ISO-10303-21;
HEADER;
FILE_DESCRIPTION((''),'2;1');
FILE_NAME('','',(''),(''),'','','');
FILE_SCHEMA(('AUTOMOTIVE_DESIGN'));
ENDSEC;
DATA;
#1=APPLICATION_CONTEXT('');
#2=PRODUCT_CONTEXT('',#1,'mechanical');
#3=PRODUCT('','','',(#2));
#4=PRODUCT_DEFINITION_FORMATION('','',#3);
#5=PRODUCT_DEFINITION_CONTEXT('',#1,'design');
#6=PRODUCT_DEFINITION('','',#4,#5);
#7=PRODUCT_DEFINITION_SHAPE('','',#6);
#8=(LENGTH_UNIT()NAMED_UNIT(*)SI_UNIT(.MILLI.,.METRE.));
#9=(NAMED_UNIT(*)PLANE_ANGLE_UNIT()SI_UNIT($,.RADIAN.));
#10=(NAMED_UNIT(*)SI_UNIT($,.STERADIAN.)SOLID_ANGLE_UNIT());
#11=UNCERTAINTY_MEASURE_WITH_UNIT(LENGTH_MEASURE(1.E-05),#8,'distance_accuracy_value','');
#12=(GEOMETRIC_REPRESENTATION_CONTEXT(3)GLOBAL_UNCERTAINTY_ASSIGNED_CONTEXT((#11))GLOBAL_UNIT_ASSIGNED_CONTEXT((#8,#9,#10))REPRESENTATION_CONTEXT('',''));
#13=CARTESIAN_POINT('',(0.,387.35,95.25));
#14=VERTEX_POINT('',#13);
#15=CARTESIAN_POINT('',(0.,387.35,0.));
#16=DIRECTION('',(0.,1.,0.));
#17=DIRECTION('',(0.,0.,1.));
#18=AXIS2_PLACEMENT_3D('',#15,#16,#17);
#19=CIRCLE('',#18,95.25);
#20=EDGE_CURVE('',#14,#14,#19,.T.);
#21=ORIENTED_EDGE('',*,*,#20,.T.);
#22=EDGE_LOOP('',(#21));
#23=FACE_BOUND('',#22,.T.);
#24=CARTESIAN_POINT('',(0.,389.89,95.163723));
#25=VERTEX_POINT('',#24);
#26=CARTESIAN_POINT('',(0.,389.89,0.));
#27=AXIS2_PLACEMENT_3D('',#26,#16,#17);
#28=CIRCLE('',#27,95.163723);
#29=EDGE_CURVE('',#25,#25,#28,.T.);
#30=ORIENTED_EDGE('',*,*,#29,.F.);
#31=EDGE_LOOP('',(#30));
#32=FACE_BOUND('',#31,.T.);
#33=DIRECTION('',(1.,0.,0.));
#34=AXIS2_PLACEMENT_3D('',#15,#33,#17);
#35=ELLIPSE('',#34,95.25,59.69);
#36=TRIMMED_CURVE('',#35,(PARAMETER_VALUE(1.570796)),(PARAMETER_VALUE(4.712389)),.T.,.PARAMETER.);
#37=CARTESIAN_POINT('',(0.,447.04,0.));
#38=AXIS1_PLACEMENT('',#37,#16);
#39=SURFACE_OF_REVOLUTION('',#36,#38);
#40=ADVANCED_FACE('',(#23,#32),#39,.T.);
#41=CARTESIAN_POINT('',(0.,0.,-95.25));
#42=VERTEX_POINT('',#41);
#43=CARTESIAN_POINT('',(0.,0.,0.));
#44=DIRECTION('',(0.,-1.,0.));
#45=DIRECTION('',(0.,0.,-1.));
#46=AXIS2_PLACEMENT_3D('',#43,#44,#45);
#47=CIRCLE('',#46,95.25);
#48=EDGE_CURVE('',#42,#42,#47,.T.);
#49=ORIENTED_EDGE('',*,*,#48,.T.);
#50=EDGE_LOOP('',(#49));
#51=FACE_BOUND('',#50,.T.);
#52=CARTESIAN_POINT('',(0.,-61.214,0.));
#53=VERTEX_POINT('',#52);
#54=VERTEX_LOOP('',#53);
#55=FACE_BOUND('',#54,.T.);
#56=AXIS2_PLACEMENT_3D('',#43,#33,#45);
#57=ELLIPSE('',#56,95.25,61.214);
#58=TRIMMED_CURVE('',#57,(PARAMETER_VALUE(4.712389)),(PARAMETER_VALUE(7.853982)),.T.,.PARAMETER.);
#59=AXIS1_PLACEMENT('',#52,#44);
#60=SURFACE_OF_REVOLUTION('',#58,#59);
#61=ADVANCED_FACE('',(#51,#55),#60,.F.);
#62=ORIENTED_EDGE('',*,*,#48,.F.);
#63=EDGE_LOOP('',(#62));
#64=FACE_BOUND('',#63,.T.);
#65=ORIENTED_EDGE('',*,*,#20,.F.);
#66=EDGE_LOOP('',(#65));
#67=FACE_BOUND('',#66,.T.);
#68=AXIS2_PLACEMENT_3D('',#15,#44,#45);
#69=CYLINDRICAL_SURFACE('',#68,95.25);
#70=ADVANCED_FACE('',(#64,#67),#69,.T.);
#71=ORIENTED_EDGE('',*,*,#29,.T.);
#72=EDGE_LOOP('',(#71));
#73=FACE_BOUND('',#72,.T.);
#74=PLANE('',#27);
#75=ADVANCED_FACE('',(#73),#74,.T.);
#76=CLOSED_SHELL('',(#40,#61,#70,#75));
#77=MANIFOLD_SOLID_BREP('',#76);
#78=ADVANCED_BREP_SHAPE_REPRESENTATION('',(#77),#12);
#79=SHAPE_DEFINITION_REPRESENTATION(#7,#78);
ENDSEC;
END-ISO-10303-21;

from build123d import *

# Parameters (mm, degrees)
SKETCH2_R                = 95.25
BOSS_EXTRUDE1_DEPTH      = 387.35
SKETCH6_R                = 95.25
F_7_PERCENT_ULLAGE_DEPTH = 57.15


with BuildPart() as part:
    # Sketch2 → Boss-Extrude1 (new body)
    with BuildSketch(Plane(origin=(0, 0, 0), x_dir=(1, 0, 0), z_dir=(0, 1, 0))):
        Circle(SKETCH2_R)
    extrude(amount=BOSS_EXTRUDE1_DEPTH)

    # Sketch3 → Revolve2 (revolve)
    with BuildSketch(Plane(origin=(0, 0, 0), x_dir=(0, 0, -1), z_dir=(1, 0, 0))):
        with BuildLine():
            Line((0, 447.04), (0, 387.35))
            Line((0, 387.35), (95.25, 387.35))
            add(Edge.make_bspline(
                [(95.25, 387.35), (95.25, 447.04), (0, 447.04)],
                knots=[3.141592654, 3.141592654, 3.141592654, 4.71238898, 4.71238898, 4.71238898], degree=2, weights=[1, 0.707106781, 1]))
        make_face()
    revolve(axis=Axis((0, 447.04, 0), (0, -1, 0)))

    # Sketch4 → Revolve3 (revolve)
    with BuildSketch(Plane(origin=(0, 0, 0), x_dir=(0, 0, -1), z_dir=(1, 0, 0))):
        with BuildLine():
            Line((0, -61.214), (0, 0))
            Line((0, 0), (95.25, 0))
            add(Edge.make_bspline(
                [(0, -61.214), (95.25, -61.214), (95.25, 0)],
                knots=[4.71238898, 4.71238898, 4.71238898, 6.283185307, 6.283185307, 6.283185307], degree=2, weights=[1, 0.707106781, 1]))
        make_face()
    revolve(axis=Axis((0, -61.214, 0), (0, 1, 0)))

    # Sketch6 → 7 Percent Ullage (cut)
    with BuildSketch(Plane(origin=(0, 447.04, 0), x_dir=(1, 0, 0), z_dir=(0, 1, 0))):
        Circle(SKETCH6_R)
    extrude(amount=-F_7_PERCENT_ULLAGE_DEPTH, mode=Mode.SUBTRACT)


solid = part.part
